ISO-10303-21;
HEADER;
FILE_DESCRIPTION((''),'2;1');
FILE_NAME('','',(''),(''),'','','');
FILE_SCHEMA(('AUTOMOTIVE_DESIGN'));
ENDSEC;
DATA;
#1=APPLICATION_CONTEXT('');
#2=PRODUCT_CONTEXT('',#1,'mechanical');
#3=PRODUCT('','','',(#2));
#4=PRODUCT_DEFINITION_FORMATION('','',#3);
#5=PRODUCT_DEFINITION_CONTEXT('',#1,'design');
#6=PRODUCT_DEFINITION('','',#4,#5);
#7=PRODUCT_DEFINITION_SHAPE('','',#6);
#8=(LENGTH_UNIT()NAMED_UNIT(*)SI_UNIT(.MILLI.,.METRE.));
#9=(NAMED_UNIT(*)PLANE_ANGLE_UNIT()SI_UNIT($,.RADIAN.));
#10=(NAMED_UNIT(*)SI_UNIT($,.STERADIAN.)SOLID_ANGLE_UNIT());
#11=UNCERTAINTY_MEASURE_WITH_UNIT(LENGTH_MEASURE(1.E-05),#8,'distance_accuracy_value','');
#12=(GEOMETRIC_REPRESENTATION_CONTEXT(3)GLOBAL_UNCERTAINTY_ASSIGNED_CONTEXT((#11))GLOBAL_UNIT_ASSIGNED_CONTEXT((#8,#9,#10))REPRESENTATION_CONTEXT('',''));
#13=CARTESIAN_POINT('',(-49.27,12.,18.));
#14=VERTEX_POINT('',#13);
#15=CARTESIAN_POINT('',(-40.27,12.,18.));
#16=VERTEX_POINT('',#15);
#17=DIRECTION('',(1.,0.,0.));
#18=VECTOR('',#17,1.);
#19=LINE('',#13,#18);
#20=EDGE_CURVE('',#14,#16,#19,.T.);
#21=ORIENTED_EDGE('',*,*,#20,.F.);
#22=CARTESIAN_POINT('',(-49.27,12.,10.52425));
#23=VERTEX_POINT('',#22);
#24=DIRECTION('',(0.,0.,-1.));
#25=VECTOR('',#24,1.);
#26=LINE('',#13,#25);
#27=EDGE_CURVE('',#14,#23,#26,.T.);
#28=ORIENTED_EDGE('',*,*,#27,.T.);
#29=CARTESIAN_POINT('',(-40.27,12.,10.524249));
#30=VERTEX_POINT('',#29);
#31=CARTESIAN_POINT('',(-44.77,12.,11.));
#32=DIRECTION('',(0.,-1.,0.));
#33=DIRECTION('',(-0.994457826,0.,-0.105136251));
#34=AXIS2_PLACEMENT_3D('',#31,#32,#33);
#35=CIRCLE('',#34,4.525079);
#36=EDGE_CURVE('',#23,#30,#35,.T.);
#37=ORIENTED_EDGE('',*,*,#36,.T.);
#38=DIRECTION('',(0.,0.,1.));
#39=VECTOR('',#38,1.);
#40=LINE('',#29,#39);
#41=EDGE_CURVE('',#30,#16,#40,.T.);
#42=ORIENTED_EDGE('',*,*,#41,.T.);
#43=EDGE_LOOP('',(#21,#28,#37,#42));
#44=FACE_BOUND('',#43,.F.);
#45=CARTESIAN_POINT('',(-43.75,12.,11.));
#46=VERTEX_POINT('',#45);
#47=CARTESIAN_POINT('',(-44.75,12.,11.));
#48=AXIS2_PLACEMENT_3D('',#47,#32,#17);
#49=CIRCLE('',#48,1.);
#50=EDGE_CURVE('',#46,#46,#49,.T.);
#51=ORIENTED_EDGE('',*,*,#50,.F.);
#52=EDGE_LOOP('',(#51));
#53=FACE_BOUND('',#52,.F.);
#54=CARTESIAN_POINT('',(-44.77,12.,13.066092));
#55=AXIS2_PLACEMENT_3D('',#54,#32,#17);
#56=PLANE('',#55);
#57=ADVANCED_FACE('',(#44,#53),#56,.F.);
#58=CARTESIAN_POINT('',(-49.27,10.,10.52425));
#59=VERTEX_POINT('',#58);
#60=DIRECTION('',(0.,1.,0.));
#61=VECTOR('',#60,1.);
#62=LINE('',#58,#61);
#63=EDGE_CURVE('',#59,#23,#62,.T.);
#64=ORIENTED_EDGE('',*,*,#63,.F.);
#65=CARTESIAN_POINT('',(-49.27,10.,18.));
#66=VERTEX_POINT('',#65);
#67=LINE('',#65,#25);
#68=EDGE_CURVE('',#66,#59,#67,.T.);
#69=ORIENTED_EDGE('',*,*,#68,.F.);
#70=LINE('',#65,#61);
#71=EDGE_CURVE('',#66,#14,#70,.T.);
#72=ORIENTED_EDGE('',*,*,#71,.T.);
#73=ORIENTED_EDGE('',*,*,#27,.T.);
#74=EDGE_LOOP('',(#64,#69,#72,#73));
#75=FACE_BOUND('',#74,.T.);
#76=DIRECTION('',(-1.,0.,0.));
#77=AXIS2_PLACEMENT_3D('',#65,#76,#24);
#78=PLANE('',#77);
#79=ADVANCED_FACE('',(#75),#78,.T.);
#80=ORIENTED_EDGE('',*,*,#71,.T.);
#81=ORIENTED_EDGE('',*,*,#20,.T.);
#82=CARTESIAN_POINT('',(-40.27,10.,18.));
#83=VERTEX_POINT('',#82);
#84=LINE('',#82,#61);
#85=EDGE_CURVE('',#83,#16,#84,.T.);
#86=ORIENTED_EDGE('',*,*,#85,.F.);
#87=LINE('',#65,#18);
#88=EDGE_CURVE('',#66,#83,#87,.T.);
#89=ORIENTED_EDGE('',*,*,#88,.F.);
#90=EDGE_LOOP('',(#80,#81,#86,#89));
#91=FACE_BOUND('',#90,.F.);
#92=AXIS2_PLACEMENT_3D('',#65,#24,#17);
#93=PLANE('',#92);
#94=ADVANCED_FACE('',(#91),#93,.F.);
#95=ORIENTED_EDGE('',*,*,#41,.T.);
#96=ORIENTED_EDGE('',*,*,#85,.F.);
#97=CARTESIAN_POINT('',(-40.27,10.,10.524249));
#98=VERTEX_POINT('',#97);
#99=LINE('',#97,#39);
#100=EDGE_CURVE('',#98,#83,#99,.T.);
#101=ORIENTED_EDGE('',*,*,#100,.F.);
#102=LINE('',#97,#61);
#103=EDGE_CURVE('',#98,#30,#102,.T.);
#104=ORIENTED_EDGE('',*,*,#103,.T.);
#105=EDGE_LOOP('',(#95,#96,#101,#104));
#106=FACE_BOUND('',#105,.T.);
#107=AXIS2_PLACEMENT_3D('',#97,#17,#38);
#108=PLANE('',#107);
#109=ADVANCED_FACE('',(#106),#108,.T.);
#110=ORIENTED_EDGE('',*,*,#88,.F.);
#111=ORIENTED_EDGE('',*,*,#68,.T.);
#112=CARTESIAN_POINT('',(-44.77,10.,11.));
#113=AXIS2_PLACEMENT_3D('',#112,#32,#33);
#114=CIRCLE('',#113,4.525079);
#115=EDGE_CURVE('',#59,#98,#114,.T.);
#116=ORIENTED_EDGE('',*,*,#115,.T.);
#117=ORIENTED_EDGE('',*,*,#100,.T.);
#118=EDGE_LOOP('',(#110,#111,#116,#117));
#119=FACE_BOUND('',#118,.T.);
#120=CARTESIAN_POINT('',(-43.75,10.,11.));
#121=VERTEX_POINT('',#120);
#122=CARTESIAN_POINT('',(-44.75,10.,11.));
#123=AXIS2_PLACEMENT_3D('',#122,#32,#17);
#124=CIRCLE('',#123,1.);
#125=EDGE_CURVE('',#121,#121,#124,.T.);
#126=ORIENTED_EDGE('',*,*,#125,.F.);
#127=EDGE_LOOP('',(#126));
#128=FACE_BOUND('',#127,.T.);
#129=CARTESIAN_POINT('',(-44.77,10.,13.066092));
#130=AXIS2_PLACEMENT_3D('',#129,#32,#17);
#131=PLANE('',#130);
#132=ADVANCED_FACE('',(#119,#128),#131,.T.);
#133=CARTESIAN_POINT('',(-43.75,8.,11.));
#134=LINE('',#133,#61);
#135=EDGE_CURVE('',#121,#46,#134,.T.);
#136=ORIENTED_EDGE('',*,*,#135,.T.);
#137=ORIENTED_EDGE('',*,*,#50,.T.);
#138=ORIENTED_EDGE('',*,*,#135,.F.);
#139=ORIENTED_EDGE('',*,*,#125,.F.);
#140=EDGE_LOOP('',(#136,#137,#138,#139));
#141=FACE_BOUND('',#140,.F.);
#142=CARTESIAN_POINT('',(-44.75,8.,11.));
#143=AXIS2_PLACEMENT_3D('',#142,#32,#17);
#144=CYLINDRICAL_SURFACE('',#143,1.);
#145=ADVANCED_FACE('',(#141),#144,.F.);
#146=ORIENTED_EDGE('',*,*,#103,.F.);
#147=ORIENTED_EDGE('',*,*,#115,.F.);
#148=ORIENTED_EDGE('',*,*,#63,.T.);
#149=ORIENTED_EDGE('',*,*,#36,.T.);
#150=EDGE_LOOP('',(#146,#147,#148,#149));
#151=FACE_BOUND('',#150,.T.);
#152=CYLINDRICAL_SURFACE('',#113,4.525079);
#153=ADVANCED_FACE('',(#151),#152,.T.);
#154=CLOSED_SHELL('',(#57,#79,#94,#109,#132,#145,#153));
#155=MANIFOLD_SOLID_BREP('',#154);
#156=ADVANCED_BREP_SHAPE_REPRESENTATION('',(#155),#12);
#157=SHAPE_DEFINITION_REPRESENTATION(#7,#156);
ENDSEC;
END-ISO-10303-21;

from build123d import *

# Parameters (mm, degrees)
SKETCH330_AS_DRAWN_R                 = 1
EXTRUDE199_DEPTH                     = 5
EXTRUDE199_ONTO_SKETCH330_ROLL_ANGLE = 90
EXTRUDE198_DEPTH                     = 2
EXTRUDE198_ONTO_SKETCH329_ROLL_ANGLE = 90


with BuildPart() as extrude199:
    # Sketch330 as drawn → Extrude199 (new)
    with BuildSketch(Plane.XY):
        with Locations((-45, 11)):
            Circle(SKETCH330_AS_DRAWN_R)
    extrude(amount=-EXTRUDE199_DEPTH)


with BuildPart() as extrude199_1:
    # Extrude199 onto Sketch330 roll: moved
    add(extrude199.part.rotate(Axis((0, 0, 0), (1, 0, 0)), EXTRUDE199_ONTO_SKETCH330_ROLL_ANGLE))


with BuildPart() as extrude199_2:
    # Extrude199 onto Sketch330 placement: moved
    add(extrude199_1.part.moved(Location((0.25, 0, 0))))


with BuildPart() as extrude199_3:
    # Extrude199 placement: moved
    add(extrude199_2.part.moved(Location((0, 8, 0))))


with BuildPart() as speedrig_left:
    # Sketch329 as drawn → Extrude198 (new)
    with BuildSketch(Plane.XY):
        with BuildLine():
            ThreePointArc((-49, 10.52425), (-44.500001, 6.474921), (-40, 10.524249))
            Line((-40, 10.524249), (-40, 18))
            Line((-49, 18), (-40, 18))
            Line((-49, 18), (-49, 10.52425))
        make_face()
    extrude(amount=-EXTRUDE198_DEPTH)


with BuildPart() as speedrig_left_1:
    # Extrude198 onto Sketch329 roll: moved
    add(speedrig_left.part.rotate(Axis((0, 0, 0), (1, 0, 0)), EXTRUDE198_ONTO_SKETCH329_ROLL_ANGLE))


with BuildPart() as speedrig_left_2:
    # Extrude198 onto Sketch329 placement: moved
    add(speedrig_left_1.part)


with BuildPart() as speedrig_left_3:
    # Extrude198 placement: moved
    add(speedrig_left_2.part.moved(Location((-0.27, 10, 0))))

    # Cut106: cut Extrude199
    add(extrude199_3.part, mode=Mode.SUBTRACT)


solid = speedrig_left_3.part
